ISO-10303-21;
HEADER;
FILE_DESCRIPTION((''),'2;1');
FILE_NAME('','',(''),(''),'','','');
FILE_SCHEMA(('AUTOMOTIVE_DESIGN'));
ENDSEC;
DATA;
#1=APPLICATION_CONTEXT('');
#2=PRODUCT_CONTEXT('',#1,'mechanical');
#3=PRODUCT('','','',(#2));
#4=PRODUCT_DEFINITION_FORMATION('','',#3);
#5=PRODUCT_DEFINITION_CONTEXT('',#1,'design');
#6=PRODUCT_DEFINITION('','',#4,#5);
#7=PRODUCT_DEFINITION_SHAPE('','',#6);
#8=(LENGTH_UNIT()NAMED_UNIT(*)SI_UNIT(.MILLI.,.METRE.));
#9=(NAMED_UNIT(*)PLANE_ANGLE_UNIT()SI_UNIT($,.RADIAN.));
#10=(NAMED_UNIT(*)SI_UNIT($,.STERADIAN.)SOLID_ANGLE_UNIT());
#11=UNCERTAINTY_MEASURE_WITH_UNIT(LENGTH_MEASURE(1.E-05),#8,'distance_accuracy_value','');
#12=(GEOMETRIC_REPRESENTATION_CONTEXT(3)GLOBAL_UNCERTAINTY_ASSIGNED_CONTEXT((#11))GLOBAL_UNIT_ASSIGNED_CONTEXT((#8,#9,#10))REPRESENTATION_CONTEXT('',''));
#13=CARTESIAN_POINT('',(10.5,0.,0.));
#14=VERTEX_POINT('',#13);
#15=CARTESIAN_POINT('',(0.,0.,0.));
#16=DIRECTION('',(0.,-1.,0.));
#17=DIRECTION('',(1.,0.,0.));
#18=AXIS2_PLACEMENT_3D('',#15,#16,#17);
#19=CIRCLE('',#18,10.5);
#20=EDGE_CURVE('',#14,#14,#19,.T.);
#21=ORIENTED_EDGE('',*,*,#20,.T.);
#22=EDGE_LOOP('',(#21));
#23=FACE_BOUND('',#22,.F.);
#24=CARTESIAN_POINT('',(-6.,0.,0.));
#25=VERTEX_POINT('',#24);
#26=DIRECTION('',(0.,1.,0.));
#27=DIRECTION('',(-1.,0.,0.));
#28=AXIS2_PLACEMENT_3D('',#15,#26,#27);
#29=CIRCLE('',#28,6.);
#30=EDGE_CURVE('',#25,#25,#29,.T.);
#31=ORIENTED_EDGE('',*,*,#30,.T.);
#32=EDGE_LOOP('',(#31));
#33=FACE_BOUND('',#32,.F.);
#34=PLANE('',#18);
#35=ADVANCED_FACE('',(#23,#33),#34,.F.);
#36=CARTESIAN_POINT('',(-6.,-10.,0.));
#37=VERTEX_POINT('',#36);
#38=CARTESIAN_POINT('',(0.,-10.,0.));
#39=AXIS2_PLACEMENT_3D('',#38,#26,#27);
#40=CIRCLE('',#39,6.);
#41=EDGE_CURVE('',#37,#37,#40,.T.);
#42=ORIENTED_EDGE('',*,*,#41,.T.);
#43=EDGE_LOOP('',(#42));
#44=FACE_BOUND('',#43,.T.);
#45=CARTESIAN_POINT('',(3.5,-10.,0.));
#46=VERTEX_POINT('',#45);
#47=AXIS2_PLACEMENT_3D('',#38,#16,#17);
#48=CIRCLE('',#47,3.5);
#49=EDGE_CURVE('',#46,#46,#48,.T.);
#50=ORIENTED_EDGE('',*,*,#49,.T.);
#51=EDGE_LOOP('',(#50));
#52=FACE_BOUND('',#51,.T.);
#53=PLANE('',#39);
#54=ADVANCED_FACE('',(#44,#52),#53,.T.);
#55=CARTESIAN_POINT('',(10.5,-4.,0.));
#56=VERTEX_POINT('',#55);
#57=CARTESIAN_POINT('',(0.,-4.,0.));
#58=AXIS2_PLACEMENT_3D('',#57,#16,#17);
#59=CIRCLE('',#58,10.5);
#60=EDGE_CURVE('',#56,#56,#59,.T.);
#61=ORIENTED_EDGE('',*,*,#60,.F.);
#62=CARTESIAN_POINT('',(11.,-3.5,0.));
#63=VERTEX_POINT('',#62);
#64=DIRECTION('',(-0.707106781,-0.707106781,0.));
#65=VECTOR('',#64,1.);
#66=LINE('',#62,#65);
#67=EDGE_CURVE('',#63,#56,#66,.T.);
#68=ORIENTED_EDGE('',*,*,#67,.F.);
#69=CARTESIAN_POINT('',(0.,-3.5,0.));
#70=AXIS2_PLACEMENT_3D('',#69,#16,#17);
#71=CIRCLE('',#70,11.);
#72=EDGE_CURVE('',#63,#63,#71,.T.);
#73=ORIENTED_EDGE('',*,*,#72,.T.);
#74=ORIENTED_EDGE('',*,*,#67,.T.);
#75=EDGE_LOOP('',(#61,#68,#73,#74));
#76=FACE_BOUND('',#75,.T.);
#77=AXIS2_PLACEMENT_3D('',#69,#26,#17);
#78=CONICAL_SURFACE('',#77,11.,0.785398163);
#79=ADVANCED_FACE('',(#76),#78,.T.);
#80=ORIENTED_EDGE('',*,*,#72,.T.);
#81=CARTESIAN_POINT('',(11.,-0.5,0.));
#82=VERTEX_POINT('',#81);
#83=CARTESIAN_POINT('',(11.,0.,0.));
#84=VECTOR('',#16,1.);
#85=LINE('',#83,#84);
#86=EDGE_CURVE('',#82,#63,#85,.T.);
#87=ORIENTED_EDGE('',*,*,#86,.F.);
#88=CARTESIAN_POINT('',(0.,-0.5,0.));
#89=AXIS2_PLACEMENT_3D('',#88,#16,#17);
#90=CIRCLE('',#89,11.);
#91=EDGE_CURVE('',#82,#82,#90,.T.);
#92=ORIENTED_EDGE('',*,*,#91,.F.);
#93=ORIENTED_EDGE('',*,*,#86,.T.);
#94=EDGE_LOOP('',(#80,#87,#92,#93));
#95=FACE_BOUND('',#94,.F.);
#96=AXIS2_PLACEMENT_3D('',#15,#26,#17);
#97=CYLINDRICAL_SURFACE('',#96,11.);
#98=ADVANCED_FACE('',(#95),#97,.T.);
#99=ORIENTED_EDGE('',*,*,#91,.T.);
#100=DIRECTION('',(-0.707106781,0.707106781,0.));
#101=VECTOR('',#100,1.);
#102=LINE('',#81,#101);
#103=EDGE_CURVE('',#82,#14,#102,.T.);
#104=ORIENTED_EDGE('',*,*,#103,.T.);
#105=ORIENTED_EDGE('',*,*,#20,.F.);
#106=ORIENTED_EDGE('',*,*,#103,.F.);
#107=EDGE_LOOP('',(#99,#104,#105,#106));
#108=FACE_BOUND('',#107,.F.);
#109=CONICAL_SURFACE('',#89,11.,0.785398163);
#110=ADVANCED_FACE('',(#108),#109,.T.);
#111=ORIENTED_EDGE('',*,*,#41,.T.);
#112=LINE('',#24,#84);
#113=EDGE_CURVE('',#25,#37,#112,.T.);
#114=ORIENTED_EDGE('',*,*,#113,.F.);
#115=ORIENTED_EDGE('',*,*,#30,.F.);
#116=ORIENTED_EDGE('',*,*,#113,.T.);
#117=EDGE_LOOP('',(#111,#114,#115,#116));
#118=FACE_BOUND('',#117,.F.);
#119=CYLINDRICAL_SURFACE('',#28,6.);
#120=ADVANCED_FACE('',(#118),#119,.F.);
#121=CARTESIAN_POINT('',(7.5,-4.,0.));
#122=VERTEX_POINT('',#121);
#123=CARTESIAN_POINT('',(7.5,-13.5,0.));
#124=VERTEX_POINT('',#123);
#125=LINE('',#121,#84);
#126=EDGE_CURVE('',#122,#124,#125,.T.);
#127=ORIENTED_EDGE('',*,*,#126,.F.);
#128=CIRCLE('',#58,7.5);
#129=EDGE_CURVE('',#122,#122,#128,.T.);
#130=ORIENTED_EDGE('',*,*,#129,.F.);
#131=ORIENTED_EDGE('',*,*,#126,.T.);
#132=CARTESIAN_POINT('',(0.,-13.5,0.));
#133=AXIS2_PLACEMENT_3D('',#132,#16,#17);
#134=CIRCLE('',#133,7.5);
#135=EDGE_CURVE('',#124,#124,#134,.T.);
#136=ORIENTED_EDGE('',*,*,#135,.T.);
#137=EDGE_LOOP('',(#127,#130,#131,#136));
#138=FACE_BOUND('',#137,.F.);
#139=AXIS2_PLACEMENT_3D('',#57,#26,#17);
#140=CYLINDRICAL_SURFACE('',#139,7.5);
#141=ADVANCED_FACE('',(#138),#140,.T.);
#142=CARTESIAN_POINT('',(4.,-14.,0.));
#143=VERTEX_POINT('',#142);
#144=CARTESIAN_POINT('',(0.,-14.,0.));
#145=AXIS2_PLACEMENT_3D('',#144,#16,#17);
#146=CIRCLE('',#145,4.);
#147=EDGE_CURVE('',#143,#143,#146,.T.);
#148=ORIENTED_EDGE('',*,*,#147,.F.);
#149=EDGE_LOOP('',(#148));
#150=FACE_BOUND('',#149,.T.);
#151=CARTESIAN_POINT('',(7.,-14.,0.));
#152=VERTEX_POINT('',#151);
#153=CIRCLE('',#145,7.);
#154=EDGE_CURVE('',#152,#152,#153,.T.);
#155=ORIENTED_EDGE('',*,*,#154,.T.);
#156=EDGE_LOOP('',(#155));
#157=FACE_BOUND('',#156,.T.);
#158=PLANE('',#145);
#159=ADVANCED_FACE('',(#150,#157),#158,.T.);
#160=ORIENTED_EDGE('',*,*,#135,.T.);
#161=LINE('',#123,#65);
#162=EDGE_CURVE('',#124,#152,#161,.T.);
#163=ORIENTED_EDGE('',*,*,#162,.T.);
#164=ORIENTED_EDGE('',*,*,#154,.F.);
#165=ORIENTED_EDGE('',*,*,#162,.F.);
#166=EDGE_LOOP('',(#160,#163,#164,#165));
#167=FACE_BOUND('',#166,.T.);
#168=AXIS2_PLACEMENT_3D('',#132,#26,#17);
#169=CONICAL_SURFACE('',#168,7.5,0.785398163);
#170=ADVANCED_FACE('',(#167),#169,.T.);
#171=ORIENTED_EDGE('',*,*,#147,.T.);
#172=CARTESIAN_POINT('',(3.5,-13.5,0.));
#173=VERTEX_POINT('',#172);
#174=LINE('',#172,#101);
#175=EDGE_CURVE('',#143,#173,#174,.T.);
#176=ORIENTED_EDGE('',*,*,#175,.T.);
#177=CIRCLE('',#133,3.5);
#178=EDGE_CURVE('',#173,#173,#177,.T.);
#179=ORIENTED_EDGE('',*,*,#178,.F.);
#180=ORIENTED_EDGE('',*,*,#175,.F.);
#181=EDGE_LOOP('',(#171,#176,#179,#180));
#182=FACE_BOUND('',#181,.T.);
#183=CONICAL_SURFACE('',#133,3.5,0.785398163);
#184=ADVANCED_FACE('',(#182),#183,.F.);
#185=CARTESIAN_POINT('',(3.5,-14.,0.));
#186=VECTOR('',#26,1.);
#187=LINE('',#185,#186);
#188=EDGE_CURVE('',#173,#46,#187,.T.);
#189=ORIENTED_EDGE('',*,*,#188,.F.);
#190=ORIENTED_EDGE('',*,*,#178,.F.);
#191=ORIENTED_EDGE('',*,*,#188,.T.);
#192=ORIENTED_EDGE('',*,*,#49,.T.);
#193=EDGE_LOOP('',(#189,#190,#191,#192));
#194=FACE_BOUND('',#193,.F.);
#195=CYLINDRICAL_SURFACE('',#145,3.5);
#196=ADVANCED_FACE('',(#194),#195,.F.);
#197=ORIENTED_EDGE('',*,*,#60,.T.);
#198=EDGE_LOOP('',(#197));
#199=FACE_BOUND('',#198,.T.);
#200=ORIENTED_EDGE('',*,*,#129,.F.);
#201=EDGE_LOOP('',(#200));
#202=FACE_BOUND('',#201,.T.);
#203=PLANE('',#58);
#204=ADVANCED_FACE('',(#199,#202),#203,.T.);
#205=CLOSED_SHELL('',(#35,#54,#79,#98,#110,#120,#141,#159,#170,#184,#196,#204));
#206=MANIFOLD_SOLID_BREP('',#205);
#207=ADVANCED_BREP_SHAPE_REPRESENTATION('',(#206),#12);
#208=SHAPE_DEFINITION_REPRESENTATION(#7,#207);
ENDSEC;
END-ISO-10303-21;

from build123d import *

# Parameters (mm, degrees)
F0_R     = 11
F1_DEPTH = 4
F2_R     = 7.5
F5_DEPTH = 10
F3_R     = 6
F6_DEPTH = 10
F7_R     = 3.5
F4_DEPTH = 25
F8_SIZE  = 0.5


with BuildPart() as f1:
    # F0 (on Front) → F1 (new body)
    with BuildSketch(Plane.XZ):
        Circle(F0_R)
    extrude(amount=F1_DEPTH)

    # F2 (on face) → F5 (join)
    with BuildSketch(Plane.XZ.offset(4)):
        Circle(F2_R)
    extrude(amount=F5_DEPTH)

    # F3 (on face) → F6 (cut)
    with BuildSketch(Plane(origin=(0, 0, 0), x_dir=(-1, 0, 0), z_dir=(0, 1, 0))):
        Circle(F3_R)
    extrude(amount=-F6_DEPTH, mode=Mode.SUBTRACT)

    # F7 (on face) → F4 (cut)
    with BuildSketch(Plane.XZ.offset(14)):
        Circle(F7_R)
    extrude(amount=-F4_DEPTH, mode=Mode.SUBTRACT)

    # F8
    f8_edges = [f1.edges().sort_by_distance(p)[0] for p in [
        (-7.5, -14, 0),
        (-3.5, -14, 0),
        (11, -2, 0),
        (-11, 0, 0),
        (-11, -4, 0),
    ]]
    chamfer(f8_edges, length=F8_SIZE)


solid = f1.part
